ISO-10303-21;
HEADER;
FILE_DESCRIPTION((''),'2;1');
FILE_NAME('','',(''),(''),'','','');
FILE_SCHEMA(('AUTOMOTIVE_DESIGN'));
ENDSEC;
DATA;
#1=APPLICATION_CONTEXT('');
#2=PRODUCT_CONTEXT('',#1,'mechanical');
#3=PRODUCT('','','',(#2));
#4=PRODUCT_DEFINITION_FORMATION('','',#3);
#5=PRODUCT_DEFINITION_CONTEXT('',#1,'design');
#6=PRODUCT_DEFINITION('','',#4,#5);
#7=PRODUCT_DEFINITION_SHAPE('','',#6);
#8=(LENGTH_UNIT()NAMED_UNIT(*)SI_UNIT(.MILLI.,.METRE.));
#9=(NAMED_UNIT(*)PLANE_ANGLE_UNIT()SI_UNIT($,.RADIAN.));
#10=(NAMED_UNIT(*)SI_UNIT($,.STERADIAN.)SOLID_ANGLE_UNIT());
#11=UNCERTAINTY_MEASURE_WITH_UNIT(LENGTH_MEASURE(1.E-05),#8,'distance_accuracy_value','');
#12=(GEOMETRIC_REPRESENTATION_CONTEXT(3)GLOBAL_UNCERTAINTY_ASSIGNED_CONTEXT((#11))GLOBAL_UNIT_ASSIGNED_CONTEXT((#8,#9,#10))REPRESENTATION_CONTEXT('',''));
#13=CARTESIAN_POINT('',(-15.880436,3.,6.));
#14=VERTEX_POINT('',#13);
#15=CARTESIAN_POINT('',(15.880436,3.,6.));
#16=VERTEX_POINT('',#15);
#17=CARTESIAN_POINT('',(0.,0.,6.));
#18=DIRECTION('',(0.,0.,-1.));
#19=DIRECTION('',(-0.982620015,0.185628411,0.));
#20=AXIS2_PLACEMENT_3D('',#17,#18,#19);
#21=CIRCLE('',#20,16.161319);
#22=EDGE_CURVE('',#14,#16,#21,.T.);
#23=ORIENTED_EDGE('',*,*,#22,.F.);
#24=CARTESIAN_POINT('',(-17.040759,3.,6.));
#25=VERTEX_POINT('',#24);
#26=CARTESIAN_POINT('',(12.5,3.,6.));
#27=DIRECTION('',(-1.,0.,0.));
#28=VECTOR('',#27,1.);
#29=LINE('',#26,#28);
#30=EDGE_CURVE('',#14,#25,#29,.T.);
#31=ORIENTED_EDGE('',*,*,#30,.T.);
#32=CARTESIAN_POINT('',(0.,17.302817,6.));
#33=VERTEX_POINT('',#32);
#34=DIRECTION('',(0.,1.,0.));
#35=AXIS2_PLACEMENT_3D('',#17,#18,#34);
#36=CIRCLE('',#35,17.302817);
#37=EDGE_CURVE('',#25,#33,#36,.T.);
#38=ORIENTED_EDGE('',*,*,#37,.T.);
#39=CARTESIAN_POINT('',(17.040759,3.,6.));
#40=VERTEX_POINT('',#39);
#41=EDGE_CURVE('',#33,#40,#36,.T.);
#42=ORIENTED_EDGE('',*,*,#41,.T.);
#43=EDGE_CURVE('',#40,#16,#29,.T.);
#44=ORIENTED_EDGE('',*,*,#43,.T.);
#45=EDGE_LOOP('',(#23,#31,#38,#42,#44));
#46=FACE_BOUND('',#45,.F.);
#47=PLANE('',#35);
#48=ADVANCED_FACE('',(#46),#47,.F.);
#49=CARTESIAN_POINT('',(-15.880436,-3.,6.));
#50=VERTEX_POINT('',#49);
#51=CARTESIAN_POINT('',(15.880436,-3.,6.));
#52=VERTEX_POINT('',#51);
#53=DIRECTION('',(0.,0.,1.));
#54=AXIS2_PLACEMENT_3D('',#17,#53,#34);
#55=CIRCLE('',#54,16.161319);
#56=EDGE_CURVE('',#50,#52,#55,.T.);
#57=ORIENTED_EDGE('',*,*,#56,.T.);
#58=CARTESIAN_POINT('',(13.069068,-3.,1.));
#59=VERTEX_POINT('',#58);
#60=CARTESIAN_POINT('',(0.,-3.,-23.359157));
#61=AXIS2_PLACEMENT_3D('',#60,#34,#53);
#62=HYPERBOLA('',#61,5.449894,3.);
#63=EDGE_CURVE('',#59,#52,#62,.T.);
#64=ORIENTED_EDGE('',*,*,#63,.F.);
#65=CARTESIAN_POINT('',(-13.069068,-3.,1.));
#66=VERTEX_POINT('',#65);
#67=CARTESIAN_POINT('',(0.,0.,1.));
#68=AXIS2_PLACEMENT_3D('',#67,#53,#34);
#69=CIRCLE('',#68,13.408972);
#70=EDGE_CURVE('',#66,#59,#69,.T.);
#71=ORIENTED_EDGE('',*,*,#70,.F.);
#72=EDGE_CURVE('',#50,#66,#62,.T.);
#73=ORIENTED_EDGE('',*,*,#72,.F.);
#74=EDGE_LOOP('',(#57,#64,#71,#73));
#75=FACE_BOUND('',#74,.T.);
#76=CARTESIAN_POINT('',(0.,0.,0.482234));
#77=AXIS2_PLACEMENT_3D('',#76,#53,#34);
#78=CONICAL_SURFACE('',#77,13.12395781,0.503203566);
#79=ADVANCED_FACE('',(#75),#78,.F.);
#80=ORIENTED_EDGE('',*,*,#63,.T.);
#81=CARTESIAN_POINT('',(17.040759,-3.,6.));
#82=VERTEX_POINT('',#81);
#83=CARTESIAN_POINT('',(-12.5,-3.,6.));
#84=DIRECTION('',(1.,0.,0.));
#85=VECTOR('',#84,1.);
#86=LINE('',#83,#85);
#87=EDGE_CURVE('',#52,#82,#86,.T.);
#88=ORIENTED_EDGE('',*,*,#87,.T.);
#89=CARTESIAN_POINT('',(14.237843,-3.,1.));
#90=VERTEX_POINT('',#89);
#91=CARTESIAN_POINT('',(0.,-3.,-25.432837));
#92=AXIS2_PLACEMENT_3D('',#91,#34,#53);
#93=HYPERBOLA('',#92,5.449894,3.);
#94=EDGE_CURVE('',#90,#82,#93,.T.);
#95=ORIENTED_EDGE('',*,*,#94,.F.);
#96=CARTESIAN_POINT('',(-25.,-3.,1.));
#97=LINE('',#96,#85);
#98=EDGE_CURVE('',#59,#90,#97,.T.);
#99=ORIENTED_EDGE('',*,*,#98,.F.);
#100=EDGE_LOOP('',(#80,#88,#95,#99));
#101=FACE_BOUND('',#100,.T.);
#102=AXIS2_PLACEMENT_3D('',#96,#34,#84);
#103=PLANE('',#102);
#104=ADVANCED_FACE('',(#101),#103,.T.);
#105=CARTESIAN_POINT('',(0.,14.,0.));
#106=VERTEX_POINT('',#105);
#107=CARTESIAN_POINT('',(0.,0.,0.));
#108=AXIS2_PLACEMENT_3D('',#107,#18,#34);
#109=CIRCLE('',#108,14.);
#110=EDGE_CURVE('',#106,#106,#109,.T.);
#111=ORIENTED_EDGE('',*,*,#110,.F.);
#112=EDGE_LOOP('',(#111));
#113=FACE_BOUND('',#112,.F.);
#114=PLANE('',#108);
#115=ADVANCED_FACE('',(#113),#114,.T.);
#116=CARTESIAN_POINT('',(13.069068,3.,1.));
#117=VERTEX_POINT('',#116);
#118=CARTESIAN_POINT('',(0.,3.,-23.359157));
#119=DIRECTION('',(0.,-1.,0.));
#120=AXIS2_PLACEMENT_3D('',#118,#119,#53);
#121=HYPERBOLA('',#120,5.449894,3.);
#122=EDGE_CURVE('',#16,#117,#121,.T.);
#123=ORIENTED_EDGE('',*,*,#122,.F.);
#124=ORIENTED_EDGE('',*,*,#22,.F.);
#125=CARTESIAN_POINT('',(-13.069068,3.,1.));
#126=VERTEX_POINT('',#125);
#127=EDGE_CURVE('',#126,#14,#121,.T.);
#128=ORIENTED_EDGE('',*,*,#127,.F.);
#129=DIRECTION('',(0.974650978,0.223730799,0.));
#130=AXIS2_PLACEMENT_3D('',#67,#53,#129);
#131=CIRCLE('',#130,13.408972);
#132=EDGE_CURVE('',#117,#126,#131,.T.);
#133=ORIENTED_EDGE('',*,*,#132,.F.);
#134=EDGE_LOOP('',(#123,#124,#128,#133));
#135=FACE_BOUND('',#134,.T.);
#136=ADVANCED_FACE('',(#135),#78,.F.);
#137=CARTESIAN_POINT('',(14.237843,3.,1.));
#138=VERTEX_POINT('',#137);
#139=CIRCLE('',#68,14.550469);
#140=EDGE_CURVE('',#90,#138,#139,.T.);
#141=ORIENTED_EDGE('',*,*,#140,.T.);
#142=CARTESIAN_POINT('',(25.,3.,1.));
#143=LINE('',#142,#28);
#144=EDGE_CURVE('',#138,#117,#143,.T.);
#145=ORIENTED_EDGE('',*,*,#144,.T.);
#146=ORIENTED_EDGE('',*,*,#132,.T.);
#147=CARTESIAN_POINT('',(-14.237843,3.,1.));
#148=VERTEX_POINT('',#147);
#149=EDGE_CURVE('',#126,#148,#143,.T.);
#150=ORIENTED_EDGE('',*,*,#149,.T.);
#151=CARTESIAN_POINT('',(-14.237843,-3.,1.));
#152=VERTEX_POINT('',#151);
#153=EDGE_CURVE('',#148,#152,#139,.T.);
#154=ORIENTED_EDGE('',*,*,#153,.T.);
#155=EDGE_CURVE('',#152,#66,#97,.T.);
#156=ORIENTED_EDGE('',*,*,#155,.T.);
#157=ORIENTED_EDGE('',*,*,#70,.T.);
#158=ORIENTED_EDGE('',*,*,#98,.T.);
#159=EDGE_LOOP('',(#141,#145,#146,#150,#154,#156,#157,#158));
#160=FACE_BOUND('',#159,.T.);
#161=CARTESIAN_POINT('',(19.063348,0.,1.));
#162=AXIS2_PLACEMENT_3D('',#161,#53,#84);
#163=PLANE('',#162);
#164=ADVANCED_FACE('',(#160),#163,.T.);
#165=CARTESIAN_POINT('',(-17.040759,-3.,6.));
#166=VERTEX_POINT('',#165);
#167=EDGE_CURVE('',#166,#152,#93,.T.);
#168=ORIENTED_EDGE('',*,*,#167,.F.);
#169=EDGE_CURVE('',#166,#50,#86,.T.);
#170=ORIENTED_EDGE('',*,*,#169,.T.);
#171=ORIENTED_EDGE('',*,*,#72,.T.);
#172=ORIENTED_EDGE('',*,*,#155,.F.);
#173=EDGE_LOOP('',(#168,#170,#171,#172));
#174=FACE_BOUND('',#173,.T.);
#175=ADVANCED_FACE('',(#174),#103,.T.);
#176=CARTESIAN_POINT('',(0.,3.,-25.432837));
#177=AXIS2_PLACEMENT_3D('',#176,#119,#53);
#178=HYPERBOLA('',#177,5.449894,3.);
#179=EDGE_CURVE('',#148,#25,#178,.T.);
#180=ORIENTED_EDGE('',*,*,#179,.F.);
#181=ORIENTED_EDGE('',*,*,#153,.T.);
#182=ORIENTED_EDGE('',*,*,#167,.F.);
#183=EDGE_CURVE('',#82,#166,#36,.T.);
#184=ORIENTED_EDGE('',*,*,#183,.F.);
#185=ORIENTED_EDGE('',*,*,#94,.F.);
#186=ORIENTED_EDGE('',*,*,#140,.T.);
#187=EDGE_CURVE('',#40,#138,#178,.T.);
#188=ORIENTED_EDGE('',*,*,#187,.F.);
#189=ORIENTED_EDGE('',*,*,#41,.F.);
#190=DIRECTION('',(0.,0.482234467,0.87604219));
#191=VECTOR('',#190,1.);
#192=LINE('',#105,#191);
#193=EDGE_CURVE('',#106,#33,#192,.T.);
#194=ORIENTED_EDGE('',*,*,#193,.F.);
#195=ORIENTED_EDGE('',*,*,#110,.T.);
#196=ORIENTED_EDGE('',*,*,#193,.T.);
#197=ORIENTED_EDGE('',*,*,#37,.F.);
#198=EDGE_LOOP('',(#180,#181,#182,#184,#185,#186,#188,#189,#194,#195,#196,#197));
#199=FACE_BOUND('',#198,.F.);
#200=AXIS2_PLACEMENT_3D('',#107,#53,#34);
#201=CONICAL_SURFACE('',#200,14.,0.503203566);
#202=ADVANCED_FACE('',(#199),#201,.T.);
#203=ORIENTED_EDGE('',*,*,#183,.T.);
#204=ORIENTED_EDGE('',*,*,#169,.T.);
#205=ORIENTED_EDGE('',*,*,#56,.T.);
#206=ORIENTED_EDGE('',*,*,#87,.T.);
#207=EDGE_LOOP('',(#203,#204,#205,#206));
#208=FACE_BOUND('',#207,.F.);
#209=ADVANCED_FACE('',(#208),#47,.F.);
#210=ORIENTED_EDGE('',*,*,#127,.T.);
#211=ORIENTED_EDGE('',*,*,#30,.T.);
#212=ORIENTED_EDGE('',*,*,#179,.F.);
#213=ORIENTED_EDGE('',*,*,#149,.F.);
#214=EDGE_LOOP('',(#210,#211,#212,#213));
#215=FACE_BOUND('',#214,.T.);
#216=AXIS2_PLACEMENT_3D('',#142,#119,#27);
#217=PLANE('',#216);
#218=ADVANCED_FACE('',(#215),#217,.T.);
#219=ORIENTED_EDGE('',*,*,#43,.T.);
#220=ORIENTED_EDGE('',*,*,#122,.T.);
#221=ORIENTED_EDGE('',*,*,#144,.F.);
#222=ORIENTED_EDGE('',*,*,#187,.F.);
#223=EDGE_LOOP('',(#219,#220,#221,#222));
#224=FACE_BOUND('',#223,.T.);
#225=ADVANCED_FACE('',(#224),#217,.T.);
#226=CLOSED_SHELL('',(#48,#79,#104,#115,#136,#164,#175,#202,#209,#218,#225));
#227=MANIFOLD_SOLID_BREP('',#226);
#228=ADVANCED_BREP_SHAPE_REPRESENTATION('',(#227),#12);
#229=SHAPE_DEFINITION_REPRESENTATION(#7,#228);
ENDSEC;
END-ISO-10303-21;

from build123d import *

# Parameters (mm, degrees)
F2_T     = -1
F4_DEPTH = 5.001


with BuildPart() as f1:
    # F0 (on Right) → F1 (revolve)
    with BuildSketch(Plane.YZ):
        Polygon((0, 6), (0, 0), (14, 0), (17.3028167337, 6), align=None)
    revolve(axis=Axis((0, 0, 3), (0, 0, -1)))

    # F2
    f2_openings = [f1.faces().sort_by_distance(p)[0] for p in [
        (0, 0, 6),
    ]]
    offset(amount=F2_T, openings=f2_openings)

    # F3 (on face) → F4 (cut, through all)
    with BuildSketch(Plane.XY.offset(1)):
        with BuildLine():
            Line((13.0690676017, -3), (25, -3))
            Line((25, -3), (25, 3))
            Line((25, 3), (13.0690676017, 3))
            ThreePointArc((13.0690676017, 3), (13.3237248636, 1.50959721), (13.408971921, 0))
            ThreePointArc((13.408971921, 0), (13.3237248636, -1.50959721), (13.0690676017, -3))
        make_face()
        with BuildLine():
            Line((-25, -3), (-13.0690676017, -3))
            ThreePointArc((-13.0690676017, -3), (-13.408971921, 0), (-13.0690676017, 3))
            Line((-13.0690676017, 3), (-25, 3))
            Line((-25, 3), (-25, -3))
        make_face()
        with BuildLine():
            Line((-13.0690676017, -3), (13.0690676017, -3))
            ThreePointArc((13.0690676017, -3), (13.3237248636, -1.50959721), (13.408971921, 0))
            ThreePointArc((13.408971921, 0), (13.3237248636, 1.50959721), (13.0690676017, 3))
            Line((13.0690676017, 3), (-13.0690676017, 3))
            ThreePointArc((-13.0690676017, 3), (-13.408971921, 0), (-13.0690676017, -3))
        make_face()
    extrude(amount=F4_DEPTH, mode=Mode.SUBTRACT)


solid = f1.part
